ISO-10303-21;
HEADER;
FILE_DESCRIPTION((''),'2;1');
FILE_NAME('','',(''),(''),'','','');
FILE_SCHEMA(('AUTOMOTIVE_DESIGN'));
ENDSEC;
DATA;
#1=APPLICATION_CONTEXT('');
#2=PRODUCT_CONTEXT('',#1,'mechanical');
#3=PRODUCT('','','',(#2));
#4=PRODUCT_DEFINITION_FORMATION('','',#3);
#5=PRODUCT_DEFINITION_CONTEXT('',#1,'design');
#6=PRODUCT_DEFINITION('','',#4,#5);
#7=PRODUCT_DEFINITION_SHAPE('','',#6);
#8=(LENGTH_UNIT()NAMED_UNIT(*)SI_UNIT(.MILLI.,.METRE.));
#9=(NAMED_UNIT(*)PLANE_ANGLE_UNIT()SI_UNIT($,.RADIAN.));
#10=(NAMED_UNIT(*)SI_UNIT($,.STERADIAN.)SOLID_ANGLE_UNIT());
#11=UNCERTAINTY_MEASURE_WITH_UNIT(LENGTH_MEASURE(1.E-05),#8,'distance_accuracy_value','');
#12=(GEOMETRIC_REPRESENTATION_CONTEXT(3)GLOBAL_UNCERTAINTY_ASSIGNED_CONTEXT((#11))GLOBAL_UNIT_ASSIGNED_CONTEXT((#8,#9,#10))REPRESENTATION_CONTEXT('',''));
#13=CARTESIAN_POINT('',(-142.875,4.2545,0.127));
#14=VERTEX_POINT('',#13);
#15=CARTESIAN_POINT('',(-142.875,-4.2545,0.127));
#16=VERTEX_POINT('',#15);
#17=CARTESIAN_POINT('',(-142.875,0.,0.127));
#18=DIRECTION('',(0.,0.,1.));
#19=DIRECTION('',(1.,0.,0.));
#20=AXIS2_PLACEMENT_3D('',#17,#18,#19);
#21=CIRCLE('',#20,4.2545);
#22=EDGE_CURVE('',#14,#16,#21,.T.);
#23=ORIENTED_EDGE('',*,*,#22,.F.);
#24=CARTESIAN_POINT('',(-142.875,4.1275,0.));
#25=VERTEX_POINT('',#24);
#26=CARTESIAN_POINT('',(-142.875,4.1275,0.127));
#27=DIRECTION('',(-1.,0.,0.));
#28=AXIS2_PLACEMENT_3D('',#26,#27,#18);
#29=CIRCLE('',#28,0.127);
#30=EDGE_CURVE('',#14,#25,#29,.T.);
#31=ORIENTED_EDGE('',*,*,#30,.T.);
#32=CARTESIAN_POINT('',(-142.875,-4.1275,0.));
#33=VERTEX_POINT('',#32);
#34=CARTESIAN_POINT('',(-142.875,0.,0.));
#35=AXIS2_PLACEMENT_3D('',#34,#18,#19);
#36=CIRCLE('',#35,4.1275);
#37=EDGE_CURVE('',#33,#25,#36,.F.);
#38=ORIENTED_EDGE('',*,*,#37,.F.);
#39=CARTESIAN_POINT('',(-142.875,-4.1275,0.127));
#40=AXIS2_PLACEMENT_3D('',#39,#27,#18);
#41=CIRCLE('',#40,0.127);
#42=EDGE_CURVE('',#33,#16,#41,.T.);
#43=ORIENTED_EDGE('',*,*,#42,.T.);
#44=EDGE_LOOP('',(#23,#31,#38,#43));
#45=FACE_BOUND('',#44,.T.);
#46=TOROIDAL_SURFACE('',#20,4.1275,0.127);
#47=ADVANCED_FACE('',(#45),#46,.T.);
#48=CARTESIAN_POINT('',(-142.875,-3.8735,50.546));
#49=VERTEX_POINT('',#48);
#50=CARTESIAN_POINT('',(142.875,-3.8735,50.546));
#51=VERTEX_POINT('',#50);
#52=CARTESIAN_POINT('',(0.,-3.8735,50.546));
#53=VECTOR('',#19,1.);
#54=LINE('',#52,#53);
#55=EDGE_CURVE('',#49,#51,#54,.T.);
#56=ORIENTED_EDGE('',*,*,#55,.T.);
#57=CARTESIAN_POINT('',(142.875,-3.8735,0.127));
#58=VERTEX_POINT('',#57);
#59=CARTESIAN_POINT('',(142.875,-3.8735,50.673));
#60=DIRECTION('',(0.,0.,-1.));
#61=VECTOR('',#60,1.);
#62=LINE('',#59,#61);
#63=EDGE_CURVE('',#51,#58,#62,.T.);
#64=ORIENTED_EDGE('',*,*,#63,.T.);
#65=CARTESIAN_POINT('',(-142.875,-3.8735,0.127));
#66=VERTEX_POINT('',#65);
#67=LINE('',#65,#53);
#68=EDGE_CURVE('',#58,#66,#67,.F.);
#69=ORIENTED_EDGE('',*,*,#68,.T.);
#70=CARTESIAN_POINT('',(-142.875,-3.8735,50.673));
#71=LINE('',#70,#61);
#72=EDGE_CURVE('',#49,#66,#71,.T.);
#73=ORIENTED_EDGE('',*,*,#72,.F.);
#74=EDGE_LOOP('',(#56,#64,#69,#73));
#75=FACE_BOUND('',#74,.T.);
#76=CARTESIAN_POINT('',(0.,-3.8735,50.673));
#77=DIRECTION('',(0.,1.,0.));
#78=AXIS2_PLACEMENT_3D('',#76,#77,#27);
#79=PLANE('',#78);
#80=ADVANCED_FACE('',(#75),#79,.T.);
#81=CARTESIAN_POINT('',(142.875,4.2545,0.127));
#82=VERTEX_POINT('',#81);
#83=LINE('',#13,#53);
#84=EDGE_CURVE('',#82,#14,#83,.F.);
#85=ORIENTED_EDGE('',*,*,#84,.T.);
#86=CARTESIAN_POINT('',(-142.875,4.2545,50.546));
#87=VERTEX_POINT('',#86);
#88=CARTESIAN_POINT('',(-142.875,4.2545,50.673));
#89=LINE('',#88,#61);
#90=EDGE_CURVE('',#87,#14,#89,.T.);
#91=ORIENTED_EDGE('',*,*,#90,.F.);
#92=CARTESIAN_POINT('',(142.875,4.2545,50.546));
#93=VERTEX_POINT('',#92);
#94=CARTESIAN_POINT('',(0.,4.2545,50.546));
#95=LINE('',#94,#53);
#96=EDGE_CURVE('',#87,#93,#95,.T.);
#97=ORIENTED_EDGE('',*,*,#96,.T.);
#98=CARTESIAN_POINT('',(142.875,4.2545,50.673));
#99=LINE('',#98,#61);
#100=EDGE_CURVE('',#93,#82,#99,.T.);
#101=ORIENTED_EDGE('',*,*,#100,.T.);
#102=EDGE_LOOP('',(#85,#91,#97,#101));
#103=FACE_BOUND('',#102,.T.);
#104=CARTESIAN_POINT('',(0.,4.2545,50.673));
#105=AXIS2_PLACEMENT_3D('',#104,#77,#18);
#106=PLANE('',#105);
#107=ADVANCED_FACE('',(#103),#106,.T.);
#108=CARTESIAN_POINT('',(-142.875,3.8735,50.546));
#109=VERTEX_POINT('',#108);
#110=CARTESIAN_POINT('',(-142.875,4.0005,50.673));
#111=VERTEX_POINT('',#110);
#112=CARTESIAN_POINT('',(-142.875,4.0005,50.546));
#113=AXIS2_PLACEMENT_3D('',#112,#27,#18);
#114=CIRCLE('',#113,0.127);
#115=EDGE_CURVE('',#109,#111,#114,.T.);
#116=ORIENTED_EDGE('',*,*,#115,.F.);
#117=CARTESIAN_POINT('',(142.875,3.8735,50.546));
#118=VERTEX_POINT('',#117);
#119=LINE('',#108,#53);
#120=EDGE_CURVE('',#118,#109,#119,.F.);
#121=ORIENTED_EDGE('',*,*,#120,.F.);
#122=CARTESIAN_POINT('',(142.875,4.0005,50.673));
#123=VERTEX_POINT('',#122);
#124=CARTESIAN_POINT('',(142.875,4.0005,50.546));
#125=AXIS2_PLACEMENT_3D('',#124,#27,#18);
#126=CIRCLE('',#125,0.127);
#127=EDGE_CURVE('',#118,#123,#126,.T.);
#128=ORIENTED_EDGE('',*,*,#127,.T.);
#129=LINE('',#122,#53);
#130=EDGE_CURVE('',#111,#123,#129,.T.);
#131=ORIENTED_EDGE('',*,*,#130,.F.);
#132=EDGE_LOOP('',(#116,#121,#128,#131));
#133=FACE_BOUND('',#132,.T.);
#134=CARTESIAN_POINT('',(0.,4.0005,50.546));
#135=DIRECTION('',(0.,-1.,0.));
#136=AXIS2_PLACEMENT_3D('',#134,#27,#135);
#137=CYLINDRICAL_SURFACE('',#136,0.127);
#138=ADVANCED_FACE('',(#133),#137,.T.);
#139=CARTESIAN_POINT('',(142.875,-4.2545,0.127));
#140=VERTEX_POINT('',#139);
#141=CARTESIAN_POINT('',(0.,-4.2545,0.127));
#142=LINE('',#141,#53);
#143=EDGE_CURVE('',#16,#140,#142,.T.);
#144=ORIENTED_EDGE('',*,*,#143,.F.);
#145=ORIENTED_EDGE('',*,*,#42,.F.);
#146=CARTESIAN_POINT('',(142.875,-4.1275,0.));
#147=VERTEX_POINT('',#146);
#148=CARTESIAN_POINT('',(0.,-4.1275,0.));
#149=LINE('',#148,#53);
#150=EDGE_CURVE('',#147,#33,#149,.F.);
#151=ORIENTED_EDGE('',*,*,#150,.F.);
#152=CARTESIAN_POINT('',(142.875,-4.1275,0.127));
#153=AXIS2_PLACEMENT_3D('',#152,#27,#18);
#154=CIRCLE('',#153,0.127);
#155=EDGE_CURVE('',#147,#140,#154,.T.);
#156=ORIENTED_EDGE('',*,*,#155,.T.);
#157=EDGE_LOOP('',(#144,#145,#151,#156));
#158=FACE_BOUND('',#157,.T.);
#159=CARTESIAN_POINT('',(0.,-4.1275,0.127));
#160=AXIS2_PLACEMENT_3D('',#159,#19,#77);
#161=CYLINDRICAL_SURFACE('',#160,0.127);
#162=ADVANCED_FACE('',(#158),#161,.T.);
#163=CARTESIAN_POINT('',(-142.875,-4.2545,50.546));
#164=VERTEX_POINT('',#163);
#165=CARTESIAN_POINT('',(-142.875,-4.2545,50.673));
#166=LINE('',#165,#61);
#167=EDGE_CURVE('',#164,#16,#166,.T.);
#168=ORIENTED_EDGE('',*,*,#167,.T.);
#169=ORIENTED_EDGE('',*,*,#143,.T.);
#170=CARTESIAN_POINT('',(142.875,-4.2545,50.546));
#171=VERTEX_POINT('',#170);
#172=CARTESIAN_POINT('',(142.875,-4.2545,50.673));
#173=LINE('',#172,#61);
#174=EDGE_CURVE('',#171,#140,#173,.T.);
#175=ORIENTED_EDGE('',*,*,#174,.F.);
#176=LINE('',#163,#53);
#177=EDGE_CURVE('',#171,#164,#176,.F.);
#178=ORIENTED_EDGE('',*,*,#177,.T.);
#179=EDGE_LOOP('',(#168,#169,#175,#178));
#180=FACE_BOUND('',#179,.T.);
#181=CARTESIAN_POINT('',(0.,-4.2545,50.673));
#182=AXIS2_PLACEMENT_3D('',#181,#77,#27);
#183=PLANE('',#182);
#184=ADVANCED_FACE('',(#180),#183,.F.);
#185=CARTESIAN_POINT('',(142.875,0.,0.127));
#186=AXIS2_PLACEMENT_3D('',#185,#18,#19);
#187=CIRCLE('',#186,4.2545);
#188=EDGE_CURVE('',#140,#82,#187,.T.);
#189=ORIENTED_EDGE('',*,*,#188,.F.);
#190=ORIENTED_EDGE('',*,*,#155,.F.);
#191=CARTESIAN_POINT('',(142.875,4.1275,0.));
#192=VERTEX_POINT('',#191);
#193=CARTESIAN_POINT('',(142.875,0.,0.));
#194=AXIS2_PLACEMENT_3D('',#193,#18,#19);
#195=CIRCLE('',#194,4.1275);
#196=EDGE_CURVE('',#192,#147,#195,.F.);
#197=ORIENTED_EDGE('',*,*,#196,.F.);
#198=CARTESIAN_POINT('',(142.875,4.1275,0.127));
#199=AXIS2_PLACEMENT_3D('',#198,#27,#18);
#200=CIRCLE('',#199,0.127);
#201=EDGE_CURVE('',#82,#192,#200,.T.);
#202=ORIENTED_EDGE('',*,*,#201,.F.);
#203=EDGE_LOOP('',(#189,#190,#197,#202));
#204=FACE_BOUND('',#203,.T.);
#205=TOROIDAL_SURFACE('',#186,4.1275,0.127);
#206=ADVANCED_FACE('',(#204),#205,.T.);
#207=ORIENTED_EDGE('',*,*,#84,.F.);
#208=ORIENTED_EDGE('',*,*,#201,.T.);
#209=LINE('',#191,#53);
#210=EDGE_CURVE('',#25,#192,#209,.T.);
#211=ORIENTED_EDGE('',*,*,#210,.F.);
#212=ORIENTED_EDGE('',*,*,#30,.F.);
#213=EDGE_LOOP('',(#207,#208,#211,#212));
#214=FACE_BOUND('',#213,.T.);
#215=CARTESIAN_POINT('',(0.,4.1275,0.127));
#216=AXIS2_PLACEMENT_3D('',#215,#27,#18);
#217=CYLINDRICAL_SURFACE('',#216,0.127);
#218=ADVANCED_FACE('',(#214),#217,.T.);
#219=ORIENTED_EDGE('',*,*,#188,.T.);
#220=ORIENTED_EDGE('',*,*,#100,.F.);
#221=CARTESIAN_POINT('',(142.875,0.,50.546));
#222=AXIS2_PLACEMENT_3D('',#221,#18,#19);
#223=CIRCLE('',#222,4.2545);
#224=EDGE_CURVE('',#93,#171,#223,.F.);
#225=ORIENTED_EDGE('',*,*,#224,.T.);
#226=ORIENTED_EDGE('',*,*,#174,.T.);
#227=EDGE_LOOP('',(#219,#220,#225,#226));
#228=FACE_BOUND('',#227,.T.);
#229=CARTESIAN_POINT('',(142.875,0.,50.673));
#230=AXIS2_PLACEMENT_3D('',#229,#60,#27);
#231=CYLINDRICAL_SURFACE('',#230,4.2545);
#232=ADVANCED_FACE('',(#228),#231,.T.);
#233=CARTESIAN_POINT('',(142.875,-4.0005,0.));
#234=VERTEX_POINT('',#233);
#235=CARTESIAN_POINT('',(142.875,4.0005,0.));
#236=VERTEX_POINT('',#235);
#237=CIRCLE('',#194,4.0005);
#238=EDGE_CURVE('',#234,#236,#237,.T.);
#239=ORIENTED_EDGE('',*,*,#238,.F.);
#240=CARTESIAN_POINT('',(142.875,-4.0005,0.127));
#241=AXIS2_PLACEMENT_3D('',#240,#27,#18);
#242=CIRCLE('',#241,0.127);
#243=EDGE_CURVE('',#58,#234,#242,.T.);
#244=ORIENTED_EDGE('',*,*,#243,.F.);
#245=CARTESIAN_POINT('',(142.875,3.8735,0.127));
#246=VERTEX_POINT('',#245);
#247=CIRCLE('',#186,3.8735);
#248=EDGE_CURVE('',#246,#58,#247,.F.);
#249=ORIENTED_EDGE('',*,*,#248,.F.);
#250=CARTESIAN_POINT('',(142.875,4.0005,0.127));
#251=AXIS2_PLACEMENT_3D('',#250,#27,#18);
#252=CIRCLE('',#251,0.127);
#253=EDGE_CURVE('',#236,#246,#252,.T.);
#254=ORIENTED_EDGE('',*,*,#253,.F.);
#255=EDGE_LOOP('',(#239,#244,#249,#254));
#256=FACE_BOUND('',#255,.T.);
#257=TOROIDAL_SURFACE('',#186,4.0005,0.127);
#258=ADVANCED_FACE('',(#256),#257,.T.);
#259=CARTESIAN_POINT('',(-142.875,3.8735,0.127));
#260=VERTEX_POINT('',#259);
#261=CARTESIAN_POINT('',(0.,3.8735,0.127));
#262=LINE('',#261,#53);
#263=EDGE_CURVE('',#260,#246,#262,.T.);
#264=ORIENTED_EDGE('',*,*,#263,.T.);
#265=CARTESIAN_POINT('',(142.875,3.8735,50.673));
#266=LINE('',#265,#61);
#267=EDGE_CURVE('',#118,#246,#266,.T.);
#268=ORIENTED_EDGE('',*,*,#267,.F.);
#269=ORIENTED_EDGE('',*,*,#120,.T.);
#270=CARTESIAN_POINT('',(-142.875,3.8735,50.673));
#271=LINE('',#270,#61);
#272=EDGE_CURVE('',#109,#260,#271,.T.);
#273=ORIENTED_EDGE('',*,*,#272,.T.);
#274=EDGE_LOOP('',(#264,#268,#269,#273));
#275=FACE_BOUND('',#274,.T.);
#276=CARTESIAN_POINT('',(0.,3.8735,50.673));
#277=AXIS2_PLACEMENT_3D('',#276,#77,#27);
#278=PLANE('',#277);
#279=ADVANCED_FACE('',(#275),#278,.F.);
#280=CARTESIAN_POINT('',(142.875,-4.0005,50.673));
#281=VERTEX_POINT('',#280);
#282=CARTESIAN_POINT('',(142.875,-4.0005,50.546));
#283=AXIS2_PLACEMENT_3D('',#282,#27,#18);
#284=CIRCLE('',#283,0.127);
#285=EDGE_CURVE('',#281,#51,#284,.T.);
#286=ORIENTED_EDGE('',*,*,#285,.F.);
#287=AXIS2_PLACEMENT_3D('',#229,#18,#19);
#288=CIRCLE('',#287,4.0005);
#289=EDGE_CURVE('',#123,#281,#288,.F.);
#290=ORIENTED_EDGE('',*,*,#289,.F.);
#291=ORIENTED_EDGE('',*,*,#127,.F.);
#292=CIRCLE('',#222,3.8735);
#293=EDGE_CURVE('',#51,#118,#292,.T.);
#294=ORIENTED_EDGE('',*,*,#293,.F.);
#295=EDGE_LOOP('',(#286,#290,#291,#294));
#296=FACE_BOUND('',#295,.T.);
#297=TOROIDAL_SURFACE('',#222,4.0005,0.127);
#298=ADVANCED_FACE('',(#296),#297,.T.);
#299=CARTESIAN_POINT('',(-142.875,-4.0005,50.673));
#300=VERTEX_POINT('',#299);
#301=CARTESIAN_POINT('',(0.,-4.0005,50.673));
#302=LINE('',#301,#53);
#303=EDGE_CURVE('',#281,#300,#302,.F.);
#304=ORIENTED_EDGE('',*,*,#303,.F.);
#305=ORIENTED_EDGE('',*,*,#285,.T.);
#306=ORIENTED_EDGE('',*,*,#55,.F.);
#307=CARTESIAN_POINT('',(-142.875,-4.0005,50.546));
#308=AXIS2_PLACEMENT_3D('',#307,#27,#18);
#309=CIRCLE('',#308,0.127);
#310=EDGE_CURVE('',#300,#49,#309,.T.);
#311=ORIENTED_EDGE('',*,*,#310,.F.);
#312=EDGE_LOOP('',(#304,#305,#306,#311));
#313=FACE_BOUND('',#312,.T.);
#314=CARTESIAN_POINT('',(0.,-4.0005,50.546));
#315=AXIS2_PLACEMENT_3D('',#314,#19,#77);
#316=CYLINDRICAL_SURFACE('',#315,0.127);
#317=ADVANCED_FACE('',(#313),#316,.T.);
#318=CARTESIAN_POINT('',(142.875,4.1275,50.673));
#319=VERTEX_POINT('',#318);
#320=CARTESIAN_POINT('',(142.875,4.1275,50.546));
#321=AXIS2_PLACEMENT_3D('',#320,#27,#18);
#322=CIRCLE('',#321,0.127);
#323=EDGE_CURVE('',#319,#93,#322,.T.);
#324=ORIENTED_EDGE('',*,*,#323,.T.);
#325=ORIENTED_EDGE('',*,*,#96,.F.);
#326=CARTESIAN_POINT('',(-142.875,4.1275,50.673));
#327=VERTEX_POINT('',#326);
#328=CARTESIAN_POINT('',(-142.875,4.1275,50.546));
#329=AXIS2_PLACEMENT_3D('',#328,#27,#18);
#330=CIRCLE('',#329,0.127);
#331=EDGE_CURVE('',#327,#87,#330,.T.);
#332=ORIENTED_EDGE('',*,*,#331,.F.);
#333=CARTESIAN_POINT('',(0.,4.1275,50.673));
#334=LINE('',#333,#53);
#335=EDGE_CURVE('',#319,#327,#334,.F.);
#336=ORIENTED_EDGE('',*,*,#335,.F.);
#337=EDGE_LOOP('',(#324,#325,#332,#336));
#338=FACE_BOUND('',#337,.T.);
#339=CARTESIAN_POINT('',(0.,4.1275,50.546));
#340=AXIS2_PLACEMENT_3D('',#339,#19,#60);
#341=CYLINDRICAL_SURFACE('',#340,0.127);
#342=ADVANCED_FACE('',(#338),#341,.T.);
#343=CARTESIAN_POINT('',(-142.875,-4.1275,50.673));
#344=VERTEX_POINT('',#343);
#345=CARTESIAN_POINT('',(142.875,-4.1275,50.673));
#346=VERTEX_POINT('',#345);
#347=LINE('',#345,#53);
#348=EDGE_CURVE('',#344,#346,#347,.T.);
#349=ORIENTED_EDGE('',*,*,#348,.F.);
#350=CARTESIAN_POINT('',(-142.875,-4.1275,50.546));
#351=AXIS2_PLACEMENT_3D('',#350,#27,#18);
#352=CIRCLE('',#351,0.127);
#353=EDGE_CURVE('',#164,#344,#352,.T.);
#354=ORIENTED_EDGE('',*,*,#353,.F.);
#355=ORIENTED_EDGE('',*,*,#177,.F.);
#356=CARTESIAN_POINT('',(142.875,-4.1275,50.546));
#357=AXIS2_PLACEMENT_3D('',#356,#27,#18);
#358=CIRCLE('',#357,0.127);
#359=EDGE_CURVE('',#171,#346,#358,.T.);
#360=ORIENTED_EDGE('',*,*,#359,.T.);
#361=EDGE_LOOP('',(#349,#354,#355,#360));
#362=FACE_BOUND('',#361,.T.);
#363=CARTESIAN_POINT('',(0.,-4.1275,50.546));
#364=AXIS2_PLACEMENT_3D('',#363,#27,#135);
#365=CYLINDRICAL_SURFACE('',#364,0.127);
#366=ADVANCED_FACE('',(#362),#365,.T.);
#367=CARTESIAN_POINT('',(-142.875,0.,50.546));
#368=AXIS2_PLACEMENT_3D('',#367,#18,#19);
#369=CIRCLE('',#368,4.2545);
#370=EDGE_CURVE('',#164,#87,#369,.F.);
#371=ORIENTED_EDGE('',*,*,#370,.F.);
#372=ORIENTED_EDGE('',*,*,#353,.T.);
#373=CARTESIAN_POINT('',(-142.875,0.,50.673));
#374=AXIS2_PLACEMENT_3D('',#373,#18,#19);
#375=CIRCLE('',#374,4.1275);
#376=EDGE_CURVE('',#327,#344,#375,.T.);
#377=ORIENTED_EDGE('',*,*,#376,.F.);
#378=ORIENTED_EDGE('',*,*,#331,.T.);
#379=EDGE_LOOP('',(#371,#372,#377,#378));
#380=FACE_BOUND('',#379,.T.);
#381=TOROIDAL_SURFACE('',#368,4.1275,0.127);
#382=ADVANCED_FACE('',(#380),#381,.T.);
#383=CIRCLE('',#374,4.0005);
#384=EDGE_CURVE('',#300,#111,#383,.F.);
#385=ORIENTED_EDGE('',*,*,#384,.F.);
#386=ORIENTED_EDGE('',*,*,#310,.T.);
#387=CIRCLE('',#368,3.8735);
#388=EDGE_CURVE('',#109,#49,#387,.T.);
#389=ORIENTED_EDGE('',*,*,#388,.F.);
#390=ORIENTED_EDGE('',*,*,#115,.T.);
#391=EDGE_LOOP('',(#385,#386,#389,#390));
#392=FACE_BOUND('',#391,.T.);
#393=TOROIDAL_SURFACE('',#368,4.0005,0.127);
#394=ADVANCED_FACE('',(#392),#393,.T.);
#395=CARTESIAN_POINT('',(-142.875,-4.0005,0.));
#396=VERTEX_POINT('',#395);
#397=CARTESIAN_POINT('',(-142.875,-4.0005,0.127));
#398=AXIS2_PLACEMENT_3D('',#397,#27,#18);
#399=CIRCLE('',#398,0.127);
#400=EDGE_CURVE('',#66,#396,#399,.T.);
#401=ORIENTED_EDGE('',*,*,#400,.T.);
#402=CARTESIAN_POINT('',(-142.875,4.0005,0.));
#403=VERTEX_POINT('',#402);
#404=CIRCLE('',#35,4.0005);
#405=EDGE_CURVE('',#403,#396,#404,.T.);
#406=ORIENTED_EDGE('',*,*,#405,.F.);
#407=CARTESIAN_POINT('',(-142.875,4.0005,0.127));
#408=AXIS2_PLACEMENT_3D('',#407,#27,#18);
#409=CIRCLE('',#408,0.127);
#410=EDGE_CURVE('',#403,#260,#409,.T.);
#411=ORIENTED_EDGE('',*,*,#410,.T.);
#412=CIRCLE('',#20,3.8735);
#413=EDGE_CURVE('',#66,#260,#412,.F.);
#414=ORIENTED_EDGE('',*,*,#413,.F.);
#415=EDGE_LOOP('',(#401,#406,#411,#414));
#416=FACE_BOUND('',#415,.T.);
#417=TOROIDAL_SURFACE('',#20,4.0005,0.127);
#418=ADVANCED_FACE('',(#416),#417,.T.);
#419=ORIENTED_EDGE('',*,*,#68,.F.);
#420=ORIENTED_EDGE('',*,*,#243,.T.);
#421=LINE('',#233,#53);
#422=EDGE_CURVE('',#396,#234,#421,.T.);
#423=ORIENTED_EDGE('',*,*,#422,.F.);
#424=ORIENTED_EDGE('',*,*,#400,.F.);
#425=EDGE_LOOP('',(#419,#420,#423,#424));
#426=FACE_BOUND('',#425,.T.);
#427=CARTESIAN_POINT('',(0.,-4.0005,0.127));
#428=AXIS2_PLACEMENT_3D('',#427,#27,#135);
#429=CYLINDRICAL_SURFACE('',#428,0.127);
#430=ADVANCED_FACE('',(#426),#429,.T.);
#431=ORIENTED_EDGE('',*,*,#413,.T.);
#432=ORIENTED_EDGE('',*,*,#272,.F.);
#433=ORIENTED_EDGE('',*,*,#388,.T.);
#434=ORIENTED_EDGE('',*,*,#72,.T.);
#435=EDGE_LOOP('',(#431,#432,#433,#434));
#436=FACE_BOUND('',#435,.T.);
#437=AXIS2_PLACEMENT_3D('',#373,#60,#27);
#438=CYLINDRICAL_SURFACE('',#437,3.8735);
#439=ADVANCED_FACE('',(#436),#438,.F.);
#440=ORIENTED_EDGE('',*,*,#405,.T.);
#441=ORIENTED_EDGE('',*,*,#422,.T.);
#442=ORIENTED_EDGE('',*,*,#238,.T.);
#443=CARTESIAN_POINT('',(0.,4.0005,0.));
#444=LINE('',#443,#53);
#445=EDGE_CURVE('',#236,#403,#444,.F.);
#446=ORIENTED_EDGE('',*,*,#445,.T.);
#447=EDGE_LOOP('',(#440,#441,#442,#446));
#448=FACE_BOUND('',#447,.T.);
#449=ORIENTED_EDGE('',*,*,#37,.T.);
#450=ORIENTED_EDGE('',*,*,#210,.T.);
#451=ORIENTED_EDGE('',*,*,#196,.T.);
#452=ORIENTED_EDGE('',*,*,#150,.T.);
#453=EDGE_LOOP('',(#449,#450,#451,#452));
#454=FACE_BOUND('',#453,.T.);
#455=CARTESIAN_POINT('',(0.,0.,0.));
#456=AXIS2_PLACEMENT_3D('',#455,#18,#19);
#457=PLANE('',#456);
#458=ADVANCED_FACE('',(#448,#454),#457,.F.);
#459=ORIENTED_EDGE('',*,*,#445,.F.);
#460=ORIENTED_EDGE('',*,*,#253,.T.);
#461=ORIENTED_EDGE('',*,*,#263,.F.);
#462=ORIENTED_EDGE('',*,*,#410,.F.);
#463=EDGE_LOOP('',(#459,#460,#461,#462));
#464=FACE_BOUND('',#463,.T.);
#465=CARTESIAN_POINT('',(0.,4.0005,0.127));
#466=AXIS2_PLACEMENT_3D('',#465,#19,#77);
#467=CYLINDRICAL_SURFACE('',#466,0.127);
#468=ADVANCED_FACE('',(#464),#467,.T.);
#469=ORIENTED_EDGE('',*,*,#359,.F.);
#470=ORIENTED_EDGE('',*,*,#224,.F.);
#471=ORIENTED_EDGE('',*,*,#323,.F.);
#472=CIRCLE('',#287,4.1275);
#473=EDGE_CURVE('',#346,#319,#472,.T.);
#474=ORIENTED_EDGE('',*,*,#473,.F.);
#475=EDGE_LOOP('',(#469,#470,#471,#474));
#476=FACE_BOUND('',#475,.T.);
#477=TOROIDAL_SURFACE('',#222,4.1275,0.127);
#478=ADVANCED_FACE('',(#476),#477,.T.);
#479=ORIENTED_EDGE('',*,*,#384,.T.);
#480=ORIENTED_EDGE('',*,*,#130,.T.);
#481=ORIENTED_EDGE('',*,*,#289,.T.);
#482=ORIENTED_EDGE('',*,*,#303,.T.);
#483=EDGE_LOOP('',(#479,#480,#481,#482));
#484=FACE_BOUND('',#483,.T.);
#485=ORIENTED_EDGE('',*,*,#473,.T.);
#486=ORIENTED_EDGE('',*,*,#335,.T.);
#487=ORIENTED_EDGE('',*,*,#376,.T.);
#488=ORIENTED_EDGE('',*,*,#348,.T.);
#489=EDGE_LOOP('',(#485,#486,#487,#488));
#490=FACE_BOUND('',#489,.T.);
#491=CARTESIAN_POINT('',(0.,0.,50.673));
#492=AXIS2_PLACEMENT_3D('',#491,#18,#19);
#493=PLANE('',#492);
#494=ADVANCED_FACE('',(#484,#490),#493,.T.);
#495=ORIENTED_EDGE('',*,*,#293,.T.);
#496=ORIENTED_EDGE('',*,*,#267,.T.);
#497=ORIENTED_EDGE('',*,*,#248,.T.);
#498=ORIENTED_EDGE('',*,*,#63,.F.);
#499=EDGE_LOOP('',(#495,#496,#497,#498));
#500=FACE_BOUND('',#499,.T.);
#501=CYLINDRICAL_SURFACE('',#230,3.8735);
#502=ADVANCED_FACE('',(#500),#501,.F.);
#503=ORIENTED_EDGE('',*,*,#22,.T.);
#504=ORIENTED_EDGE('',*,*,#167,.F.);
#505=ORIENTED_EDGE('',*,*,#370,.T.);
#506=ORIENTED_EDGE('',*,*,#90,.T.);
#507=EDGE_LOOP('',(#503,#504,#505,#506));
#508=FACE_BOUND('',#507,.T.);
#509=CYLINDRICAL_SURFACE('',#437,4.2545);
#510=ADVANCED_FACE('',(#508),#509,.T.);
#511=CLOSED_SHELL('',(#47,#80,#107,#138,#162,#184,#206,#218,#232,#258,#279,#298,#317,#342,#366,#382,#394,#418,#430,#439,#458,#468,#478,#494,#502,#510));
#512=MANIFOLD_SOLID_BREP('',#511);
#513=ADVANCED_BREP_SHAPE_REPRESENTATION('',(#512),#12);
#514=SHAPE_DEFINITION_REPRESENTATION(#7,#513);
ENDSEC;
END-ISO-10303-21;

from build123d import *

# Parameters (mm, degrees)
BOSS_EXTRUDE1_DEPTH = 50.673
FILLET1_R           = 0.127


with BuildPart() as part:
    # Sketch2 → Boss-Extrude1 (new body)
    with BuildSketch(Plane.XY):
        with BuildLine():
            Line((-142.875, 4.2545), (142.875, 4.2545))
            ThreePointArc((142.875, 4.2545), (147.1295, 0), (142.875, -4.2545))
            Line((142.875, -4.2545), (-142.875, -4.2545))
            ThreePointArc((-142.875, -4.2545), (-147.1295, 0), (-142.875, 4.2545))
        make_face()
        with BuildLine():
            ThreePointArc((142.875, -3.8735), (146.7485, 0), (142.875, 3.8735))
            Line((142.875, 3.8735), (-142.875, 3.8735))
            ThreePointArc((-142.875, 3.8735), (-146.7485, 0), (-142.875, -3.8735))
            Line((-142.875, -3.8735), (142.875, -3.8735))
        make_face(mode=Mode.SUBTRACT)
    extrude(amount=BOSS_EXTRUDE1_DEPTH)

    # Fillet1
    fillet1_edges = [part.edges().sort_by_distance(p)[0] for p in [
        (147.1295, 0, 0),
        (0, -4.2545, 0),
        (-147.1295, 0, 0),
        (0, 4.2545, 0),
        (0, -3.8735, 50.673),
        (0, 3.8735, 0),
        (-146.7485, 0, 0),
        (0, -3.8735, 0),
        (146.7485, 0, 0),
        (-146.7485, 0, 50.673),
        (0, 3.8735, 50.673),
        (0, 4.2545, 50.673),
        (-147.1295, 0, 50.673),
        (0, -4.2545, 50.673),
        (147.1295, 0, 50.673),
        (146.7485, 0, 50.673),
    ]]
    fillet(fillet1_edges, radius=FILLET1_R)


solid = part.part
